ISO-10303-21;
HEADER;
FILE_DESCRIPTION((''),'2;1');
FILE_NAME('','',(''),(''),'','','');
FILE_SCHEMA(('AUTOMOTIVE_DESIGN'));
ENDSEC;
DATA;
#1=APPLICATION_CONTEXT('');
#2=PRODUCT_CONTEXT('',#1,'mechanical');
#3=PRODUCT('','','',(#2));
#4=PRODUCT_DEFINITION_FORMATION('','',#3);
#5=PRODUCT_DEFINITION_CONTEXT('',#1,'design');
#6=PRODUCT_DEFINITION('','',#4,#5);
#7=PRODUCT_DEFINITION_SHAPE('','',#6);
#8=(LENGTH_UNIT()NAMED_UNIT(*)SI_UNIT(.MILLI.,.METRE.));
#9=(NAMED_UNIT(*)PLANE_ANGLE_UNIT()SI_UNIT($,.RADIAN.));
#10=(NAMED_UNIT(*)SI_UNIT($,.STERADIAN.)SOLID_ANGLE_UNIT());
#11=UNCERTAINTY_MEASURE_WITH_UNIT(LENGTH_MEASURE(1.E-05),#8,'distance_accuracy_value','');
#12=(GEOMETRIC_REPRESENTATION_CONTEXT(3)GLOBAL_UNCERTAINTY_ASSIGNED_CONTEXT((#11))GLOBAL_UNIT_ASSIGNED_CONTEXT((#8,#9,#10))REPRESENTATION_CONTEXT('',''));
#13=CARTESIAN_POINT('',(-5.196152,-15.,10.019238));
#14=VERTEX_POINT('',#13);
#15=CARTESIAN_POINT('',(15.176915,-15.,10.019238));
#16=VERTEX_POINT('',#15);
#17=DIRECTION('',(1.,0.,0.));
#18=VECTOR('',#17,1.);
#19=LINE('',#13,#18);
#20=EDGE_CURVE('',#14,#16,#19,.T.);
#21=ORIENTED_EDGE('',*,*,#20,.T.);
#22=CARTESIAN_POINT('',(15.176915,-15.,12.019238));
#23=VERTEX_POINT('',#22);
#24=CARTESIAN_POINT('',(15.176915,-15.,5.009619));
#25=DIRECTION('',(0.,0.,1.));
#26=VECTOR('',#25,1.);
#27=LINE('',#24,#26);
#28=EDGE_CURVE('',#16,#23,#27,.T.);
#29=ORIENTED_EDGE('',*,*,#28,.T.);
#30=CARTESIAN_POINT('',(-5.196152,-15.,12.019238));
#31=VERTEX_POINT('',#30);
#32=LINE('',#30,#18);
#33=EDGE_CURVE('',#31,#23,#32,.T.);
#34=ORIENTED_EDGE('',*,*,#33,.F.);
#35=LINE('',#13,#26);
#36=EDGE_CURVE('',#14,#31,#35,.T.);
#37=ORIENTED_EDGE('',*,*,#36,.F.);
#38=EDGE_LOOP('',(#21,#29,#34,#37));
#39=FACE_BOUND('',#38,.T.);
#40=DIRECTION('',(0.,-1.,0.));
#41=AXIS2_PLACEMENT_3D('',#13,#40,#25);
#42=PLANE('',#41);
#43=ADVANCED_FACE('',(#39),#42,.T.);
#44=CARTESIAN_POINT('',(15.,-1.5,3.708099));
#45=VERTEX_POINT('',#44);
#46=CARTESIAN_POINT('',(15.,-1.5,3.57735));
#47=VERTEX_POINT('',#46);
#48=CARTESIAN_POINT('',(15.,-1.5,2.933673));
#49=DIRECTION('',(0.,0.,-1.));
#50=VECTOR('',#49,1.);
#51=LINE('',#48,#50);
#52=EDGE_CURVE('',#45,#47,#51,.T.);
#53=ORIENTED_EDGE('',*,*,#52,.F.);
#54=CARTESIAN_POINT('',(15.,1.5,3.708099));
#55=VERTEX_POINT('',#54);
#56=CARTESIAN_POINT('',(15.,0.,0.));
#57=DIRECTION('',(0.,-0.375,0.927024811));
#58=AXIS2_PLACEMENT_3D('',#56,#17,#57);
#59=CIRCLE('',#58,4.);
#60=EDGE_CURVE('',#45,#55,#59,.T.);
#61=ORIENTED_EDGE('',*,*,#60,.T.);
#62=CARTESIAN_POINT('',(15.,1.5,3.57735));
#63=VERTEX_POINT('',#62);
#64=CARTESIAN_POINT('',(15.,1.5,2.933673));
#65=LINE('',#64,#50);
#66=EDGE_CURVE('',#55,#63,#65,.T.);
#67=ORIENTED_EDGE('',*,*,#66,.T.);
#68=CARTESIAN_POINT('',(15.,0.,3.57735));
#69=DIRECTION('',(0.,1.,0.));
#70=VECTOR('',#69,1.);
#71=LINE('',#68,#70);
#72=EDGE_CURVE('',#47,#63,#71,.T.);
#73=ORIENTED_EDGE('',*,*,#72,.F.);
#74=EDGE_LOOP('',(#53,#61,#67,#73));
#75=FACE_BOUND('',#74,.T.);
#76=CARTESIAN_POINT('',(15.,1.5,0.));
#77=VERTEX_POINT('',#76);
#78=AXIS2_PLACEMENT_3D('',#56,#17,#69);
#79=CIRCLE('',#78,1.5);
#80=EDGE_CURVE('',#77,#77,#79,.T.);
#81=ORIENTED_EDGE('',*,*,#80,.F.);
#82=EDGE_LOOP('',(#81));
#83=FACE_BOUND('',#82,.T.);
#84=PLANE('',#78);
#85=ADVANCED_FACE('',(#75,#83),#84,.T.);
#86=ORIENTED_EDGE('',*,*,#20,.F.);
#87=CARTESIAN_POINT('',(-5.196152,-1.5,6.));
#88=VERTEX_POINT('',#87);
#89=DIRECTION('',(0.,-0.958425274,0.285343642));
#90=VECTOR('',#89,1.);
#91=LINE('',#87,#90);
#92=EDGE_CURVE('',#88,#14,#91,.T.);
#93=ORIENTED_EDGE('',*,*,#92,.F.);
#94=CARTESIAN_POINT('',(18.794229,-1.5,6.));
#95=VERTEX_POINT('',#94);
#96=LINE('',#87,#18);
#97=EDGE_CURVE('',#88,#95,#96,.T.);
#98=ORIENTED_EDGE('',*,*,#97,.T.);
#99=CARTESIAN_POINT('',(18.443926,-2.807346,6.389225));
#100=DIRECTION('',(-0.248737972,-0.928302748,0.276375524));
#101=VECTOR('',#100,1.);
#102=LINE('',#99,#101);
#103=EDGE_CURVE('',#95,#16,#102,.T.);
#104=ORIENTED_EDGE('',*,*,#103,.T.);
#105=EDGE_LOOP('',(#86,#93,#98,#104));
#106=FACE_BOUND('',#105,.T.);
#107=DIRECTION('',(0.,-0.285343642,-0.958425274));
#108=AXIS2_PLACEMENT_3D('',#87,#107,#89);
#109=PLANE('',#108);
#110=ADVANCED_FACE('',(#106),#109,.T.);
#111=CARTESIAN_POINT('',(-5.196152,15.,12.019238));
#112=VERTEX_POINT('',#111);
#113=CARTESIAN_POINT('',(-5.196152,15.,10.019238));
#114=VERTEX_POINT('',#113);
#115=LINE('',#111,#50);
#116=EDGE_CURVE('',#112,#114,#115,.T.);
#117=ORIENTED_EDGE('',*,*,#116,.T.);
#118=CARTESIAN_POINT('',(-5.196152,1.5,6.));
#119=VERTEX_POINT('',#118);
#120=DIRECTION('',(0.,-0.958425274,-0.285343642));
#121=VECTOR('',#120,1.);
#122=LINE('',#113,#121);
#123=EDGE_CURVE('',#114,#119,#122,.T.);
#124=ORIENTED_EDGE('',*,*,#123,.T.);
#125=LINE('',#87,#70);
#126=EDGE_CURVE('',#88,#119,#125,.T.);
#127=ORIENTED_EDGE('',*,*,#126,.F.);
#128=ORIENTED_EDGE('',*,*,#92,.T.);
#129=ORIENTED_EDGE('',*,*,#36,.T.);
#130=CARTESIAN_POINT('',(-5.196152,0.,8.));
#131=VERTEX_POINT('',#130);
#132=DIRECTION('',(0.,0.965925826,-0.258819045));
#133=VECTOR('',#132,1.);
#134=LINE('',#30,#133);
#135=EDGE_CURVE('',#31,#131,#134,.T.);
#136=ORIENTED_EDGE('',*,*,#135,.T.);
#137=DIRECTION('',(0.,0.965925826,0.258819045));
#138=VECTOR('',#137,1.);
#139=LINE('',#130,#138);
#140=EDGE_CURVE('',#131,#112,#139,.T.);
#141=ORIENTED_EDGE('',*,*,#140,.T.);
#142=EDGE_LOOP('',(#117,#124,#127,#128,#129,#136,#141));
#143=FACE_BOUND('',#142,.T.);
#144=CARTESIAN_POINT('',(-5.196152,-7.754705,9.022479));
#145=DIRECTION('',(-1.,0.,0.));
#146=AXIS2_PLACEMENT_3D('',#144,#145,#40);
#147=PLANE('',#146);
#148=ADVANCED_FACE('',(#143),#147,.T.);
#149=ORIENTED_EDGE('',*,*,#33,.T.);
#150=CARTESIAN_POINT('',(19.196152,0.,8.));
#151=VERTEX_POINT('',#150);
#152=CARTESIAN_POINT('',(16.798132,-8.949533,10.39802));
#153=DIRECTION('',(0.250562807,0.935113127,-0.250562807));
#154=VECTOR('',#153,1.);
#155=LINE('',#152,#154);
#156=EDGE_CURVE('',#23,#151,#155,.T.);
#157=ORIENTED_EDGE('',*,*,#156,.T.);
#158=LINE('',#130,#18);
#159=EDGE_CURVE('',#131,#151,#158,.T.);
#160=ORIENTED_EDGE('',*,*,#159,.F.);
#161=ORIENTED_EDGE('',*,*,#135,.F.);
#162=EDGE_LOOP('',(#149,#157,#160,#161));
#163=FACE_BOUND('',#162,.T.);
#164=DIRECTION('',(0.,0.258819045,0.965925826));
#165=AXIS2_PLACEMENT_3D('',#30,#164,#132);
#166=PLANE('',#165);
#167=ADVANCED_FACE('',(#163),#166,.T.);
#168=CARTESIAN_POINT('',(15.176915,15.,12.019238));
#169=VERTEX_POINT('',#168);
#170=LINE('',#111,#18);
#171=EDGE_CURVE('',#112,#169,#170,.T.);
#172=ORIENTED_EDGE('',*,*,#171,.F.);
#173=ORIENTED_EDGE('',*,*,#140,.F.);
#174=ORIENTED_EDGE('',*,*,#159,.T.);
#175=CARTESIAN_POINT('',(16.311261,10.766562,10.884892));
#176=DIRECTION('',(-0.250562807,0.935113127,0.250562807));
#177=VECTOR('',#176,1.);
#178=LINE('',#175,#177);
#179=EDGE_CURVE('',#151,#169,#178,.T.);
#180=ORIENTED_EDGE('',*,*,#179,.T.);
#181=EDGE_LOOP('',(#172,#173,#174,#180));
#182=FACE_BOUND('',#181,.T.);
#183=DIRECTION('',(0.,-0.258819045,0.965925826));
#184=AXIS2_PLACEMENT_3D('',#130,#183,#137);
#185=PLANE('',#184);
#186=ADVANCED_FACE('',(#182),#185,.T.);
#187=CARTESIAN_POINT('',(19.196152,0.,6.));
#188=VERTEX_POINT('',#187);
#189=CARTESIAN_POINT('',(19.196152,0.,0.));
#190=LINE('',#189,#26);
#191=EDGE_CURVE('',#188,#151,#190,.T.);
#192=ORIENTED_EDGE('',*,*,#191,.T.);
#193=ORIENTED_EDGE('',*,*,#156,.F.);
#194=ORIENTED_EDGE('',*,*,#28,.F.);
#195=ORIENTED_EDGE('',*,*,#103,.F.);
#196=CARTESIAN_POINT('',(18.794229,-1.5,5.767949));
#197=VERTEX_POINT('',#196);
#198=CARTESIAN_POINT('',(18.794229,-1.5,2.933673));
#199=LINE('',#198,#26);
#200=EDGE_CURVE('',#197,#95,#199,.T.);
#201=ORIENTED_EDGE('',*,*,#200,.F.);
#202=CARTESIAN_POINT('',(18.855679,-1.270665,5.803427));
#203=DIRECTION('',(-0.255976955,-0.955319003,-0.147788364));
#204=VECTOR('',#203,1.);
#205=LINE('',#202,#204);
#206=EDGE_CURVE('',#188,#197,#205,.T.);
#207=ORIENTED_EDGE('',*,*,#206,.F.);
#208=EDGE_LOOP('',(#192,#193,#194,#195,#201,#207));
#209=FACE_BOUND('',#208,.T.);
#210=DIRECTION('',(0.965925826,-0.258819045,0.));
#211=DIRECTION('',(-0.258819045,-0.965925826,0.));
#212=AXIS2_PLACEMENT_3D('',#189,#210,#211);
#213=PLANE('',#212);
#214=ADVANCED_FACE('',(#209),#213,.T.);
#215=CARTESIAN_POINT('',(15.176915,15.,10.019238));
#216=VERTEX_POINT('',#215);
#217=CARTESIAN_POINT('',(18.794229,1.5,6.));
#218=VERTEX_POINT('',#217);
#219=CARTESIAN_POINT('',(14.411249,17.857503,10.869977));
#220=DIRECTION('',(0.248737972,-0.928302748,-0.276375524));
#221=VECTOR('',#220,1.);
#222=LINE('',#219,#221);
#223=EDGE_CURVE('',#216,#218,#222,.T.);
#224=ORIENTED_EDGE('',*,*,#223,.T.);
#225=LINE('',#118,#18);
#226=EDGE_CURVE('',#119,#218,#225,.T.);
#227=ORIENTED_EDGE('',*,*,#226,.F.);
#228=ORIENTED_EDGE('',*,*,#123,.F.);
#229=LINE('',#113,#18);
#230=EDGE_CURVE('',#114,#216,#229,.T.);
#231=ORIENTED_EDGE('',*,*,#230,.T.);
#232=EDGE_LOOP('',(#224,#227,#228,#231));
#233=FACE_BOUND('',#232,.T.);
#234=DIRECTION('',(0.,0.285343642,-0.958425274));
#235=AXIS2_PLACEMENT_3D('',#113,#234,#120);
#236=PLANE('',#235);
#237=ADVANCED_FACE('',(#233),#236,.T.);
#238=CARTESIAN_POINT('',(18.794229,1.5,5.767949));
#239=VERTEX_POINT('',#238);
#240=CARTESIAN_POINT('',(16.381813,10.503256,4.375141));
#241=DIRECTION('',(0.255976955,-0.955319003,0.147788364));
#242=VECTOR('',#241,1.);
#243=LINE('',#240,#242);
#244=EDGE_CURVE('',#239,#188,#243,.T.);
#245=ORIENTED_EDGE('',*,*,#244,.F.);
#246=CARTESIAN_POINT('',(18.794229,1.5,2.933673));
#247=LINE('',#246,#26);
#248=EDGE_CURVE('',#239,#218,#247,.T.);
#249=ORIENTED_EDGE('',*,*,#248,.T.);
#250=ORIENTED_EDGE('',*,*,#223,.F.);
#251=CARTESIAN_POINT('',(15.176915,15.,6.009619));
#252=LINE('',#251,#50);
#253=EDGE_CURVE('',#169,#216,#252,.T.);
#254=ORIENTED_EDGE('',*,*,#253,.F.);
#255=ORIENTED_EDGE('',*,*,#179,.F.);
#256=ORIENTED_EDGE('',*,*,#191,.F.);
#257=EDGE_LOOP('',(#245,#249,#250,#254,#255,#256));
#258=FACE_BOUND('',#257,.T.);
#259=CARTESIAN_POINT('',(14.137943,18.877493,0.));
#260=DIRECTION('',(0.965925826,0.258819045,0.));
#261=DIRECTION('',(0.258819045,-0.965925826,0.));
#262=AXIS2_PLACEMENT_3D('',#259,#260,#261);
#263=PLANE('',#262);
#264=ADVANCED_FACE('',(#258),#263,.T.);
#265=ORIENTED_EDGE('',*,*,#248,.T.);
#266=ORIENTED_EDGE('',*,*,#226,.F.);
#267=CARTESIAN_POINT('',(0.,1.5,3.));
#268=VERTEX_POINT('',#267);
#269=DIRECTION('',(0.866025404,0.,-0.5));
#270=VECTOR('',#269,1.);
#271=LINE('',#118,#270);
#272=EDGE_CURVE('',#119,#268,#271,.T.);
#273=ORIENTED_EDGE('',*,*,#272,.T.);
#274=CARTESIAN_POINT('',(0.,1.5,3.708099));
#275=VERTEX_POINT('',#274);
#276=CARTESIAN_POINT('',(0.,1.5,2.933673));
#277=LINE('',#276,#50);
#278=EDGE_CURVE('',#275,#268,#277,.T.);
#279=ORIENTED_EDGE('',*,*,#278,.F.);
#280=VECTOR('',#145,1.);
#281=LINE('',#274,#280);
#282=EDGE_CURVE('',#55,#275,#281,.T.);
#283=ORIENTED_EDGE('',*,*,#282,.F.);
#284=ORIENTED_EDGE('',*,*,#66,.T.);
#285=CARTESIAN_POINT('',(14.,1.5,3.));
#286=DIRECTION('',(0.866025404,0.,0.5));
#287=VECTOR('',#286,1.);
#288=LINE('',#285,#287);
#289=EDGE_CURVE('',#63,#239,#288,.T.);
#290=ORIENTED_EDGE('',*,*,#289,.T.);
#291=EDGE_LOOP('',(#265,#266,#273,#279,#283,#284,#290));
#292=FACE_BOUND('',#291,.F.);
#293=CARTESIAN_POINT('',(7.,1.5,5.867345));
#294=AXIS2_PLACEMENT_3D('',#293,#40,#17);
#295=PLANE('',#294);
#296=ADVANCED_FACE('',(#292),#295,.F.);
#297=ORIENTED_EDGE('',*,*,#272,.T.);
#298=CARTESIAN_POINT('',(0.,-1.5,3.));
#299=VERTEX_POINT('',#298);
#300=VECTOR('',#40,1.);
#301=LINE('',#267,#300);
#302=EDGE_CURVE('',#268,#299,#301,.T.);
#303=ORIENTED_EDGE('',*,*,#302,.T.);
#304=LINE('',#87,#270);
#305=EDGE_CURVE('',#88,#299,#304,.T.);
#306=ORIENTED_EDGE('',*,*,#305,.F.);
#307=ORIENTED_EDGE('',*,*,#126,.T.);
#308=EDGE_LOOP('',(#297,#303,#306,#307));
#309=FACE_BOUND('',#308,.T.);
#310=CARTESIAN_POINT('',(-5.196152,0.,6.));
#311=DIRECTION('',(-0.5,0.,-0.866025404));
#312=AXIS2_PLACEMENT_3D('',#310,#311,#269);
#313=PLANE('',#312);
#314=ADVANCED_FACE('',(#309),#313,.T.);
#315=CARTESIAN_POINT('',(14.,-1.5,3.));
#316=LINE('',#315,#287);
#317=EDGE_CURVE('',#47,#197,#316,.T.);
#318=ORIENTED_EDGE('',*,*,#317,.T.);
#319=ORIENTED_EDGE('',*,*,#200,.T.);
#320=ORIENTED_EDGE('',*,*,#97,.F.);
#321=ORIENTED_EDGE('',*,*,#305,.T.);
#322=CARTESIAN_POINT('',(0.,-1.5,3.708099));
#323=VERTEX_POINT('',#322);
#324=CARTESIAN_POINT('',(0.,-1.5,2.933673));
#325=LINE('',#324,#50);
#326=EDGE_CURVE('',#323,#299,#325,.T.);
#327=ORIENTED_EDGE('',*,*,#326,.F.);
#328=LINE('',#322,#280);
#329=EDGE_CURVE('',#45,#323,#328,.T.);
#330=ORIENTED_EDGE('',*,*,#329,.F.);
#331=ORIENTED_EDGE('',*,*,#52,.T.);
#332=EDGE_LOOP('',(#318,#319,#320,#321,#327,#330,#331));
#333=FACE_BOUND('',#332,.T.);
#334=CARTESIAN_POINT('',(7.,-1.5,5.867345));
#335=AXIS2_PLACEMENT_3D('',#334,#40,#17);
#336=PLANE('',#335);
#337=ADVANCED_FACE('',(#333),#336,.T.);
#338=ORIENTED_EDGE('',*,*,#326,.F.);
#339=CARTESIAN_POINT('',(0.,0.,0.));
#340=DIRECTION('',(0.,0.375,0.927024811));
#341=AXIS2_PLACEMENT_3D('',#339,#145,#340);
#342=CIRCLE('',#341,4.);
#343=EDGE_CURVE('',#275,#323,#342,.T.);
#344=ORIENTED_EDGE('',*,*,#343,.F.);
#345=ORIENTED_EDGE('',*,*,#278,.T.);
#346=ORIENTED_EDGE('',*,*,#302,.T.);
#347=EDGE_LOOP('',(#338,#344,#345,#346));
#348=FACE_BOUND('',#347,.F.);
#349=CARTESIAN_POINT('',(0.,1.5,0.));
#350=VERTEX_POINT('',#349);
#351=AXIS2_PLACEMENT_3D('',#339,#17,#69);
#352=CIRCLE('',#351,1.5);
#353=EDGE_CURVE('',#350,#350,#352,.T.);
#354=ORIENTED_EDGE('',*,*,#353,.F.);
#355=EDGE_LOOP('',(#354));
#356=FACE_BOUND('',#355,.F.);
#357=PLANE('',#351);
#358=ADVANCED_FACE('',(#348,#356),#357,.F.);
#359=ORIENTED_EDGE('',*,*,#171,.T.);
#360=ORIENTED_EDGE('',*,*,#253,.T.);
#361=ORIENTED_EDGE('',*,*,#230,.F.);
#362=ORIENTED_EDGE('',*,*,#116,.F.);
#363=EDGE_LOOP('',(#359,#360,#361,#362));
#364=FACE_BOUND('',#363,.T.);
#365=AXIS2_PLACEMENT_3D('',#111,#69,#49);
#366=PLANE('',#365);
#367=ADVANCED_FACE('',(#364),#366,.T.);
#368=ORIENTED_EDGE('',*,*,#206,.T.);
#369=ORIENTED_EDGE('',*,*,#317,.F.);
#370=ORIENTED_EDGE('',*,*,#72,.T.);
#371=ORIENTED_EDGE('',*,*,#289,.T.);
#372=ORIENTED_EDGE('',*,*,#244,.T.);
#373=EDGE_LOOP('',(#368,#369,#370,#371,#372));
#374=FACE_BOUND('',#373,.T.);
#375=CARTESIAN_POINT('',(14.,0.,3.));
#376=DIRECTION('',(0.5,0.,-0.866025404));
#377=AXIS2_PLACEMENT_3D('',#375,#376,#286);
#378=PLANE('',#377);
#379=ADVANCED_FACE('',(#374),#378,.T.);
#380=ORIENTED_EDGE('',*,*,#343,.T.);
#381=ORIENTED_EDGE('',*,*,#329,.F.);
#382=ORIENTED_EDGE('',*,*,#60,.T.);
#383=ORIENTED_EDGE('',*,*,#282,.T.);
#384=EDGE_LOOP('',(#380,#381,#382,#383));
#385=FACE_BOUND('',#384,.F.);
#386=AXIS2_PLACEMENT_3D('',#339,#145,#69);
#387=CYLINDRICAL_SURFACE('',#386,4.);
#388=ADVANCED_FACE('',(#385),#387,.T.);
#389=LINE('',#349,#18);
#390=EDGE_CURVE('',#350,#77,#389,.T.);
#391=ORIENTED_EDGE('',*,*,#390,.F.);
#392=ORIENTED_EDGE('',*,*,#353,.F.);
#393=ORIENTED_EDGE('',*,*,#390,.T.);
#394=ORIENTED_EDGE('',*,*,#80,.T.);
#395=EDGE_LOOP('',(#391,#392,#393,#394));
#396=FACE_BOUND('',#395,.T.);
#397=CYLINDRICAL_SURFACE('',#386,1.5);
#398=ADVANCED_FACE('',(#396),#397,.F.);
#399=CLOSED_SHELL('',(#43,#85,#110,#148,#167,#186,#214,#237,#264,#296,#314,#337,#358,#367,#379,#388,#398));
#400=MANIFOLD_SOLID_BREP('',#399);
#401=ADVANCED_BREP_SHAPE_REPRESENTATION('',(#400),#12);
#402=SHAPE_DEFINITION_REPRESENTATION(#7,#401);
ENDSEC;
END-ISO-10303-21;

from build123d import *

# Parameters (mm, degrees)
F0_R     = 4
F0_R_2   = 1.5
F1_DEPTH = 15
F3_DEPTH = 1.5
F5_DEPTH = 24.3923048454
F7_DEPTH = 25


with BuildPart() as f1:
    # F0 (on Right) → F1 (new body)
    with BuildSketch(Plane.YZ):
        Circle(F0_R)
        Circle(F0_R_2, mode=Mode.SUBTRACT)
    extrude(amount=F1_DEPTH)

    # F2 (on Front) → F3 (join, symmetric)
    with BuildSketch(Plane.XZ):
        Polygon((-5.1961524227, 6), (0, 3), (14, 3), (19.1961524227, 6), (19.1961524227, 8), (-5.1961524227, 8), align=None)
    extrude(amount=F3_DEPTH, both=True)

    # F4 (on face) → F5 (join, through all)
    with BuildSketch(Plane(origin=(-5.1961524227, 0, 0), x_dir=(0, -1, 0), z_dir=(-1, 0, 0))):
        Polygon((15, 12.0192378865), (0, 8), (1.5, 6), (15, 10.0192378865), align=None)
        Polygon((-1.5, 6), (0, 8), (-15, 12.0192378865), (-15, 10.0192378865), align=None)
    extrude(amount=-F5_DEPTH)

    # F6 (on Top) → F7 (cut)
    with BuildSketch(Plane.XY):
        Polygon((14.137943439, 18.8774929223), (19.1961524227, 0), (14.137943439, -18.8774929223), (27.2481460124, -18.8774929223), (27.2481460124, 0), (27.2481460124, 18.8774929223), align=None)
    extrude(amount=F7_DEPTH, mode=Mode.SUBTRACT)


solid = f1.part
